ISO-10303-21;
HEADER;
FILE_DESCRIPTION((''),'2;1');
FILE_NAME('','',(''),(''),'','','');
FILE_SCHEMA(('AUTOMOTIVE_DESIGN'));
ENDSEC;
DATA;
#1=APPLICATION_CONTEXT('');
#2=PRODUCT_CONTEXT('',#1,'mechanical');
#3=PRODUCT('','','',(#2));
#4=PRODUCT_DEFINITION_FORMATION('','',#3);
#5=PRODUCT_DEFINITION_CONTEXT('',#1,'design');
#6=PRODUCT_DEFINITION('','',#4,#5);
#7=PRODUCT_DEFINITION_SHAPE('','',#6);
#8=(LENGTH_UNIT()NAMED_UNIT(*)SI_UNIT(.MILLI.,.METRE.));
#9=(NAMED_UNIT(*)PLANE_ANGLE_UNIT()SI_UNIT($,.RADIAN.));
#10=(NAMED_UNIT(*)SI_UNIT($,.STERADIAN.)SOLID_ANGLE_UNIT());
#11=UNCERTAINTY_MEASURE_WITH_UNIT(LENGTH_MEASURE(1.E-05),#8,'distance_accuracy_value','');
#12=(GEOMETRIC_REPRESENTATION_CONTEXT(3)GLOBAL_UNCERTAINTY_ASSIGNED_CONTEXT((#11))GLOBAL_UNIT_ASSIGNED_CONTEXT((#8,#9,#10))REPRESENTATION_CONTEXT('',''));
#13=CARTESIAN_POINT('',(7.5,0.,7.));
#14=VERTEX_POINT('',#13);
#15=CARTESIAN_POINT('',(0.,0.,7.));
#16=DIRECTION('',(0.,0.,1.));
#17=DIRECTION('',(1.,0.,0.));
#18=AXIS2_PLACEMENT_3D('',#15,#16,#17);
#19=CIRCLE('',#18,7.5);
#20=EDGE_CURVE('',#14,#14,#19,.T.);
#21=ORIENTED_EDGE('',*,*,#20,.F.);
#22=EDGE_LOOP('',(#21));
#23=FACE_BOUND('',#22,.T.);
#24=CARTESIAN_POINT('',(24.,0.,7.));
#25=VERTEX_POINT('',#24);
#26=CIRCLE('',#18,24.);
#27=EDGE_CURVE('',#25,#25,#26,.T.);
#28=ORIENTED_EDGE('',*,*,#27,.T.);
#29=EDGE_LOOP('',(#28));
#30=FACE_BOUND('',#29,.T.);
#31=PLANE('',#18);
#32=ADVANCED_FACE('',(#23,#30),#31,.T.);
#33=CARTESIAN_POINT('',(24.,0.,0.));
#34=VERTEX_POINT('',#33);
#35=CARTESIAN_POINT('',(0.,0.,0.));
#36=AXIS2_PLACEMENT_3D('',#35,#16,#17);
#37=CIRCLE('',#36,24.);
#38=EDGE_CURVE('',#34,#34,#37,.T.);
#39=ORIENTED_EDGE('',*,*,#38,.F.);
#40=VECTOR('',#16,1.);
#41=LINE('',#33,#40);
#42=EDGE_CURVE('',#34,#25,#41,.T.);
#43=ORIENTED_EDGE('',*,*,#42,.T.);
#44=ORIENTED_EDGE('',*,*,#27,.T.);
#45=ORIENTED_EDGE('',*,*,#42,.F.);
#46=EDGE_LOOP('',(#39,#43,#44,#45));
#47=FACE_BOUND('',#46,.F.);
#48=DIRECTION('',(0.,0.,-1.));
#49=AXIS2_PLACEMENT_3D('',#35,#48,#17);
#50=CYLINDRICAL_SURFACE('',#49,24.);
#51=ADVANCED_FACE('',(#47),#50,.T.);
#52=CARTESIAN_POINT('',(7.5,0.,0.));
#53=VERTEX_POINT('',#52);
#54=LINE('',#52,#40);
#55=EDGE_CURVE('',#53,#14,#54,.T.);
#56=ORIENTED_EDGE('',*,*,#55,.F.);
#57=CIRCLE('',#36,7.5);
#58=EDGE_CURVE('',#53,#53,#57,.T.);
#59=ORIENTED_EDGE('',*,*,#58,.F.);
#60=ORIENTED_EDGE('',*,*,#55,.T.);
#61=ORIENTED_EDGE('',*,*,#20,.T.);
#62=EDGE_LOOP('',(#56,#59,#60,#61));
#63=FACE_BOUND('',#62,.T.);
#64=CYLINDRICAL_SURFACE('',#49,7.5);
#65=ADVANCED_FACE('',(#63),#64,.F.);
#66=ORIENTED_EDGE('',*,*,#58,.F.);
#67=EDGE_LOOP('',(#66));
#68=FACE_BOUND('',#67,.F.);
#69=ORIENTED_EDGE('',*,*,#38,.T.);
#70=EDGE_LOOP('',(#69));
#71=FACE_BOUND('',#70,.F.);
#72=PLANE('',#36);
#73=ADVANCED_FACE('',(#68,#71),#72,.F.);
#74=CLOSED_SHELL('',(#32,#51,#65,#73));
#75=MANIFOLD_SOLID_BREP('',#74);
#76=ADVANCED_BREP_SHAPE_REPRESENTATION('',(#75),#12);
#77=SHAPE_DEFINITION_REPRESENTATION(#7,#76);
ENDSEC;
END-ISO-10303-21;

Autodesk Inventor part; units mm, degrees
ref_plane "YZ Plane" through (0, 0, 0) normal (1, 0, 0) x (0, 1, 0)
ref_plane "XZ Plane" through (0, 0, 0) normal (0, 1, 0) x (-1, 0, 0)
ref_plane "XY Plane" through (0, 0, 0) normal (0, 0, 1) x (1, 0, 0)
sketch "スケッチ1" plane through (0, 0, 0) normal (0, 0, 1) x (1, 0, 0)
  circle A0 centre (0, 0) radius 7.5
  circle A1 centre (0, 0) radius 24
  dimension "d0" = 15
  dimension "d1" = 48
extrude "押し出し1" add sketch "スケッチ1" along normal blind 7
properties part number "Gear2"
